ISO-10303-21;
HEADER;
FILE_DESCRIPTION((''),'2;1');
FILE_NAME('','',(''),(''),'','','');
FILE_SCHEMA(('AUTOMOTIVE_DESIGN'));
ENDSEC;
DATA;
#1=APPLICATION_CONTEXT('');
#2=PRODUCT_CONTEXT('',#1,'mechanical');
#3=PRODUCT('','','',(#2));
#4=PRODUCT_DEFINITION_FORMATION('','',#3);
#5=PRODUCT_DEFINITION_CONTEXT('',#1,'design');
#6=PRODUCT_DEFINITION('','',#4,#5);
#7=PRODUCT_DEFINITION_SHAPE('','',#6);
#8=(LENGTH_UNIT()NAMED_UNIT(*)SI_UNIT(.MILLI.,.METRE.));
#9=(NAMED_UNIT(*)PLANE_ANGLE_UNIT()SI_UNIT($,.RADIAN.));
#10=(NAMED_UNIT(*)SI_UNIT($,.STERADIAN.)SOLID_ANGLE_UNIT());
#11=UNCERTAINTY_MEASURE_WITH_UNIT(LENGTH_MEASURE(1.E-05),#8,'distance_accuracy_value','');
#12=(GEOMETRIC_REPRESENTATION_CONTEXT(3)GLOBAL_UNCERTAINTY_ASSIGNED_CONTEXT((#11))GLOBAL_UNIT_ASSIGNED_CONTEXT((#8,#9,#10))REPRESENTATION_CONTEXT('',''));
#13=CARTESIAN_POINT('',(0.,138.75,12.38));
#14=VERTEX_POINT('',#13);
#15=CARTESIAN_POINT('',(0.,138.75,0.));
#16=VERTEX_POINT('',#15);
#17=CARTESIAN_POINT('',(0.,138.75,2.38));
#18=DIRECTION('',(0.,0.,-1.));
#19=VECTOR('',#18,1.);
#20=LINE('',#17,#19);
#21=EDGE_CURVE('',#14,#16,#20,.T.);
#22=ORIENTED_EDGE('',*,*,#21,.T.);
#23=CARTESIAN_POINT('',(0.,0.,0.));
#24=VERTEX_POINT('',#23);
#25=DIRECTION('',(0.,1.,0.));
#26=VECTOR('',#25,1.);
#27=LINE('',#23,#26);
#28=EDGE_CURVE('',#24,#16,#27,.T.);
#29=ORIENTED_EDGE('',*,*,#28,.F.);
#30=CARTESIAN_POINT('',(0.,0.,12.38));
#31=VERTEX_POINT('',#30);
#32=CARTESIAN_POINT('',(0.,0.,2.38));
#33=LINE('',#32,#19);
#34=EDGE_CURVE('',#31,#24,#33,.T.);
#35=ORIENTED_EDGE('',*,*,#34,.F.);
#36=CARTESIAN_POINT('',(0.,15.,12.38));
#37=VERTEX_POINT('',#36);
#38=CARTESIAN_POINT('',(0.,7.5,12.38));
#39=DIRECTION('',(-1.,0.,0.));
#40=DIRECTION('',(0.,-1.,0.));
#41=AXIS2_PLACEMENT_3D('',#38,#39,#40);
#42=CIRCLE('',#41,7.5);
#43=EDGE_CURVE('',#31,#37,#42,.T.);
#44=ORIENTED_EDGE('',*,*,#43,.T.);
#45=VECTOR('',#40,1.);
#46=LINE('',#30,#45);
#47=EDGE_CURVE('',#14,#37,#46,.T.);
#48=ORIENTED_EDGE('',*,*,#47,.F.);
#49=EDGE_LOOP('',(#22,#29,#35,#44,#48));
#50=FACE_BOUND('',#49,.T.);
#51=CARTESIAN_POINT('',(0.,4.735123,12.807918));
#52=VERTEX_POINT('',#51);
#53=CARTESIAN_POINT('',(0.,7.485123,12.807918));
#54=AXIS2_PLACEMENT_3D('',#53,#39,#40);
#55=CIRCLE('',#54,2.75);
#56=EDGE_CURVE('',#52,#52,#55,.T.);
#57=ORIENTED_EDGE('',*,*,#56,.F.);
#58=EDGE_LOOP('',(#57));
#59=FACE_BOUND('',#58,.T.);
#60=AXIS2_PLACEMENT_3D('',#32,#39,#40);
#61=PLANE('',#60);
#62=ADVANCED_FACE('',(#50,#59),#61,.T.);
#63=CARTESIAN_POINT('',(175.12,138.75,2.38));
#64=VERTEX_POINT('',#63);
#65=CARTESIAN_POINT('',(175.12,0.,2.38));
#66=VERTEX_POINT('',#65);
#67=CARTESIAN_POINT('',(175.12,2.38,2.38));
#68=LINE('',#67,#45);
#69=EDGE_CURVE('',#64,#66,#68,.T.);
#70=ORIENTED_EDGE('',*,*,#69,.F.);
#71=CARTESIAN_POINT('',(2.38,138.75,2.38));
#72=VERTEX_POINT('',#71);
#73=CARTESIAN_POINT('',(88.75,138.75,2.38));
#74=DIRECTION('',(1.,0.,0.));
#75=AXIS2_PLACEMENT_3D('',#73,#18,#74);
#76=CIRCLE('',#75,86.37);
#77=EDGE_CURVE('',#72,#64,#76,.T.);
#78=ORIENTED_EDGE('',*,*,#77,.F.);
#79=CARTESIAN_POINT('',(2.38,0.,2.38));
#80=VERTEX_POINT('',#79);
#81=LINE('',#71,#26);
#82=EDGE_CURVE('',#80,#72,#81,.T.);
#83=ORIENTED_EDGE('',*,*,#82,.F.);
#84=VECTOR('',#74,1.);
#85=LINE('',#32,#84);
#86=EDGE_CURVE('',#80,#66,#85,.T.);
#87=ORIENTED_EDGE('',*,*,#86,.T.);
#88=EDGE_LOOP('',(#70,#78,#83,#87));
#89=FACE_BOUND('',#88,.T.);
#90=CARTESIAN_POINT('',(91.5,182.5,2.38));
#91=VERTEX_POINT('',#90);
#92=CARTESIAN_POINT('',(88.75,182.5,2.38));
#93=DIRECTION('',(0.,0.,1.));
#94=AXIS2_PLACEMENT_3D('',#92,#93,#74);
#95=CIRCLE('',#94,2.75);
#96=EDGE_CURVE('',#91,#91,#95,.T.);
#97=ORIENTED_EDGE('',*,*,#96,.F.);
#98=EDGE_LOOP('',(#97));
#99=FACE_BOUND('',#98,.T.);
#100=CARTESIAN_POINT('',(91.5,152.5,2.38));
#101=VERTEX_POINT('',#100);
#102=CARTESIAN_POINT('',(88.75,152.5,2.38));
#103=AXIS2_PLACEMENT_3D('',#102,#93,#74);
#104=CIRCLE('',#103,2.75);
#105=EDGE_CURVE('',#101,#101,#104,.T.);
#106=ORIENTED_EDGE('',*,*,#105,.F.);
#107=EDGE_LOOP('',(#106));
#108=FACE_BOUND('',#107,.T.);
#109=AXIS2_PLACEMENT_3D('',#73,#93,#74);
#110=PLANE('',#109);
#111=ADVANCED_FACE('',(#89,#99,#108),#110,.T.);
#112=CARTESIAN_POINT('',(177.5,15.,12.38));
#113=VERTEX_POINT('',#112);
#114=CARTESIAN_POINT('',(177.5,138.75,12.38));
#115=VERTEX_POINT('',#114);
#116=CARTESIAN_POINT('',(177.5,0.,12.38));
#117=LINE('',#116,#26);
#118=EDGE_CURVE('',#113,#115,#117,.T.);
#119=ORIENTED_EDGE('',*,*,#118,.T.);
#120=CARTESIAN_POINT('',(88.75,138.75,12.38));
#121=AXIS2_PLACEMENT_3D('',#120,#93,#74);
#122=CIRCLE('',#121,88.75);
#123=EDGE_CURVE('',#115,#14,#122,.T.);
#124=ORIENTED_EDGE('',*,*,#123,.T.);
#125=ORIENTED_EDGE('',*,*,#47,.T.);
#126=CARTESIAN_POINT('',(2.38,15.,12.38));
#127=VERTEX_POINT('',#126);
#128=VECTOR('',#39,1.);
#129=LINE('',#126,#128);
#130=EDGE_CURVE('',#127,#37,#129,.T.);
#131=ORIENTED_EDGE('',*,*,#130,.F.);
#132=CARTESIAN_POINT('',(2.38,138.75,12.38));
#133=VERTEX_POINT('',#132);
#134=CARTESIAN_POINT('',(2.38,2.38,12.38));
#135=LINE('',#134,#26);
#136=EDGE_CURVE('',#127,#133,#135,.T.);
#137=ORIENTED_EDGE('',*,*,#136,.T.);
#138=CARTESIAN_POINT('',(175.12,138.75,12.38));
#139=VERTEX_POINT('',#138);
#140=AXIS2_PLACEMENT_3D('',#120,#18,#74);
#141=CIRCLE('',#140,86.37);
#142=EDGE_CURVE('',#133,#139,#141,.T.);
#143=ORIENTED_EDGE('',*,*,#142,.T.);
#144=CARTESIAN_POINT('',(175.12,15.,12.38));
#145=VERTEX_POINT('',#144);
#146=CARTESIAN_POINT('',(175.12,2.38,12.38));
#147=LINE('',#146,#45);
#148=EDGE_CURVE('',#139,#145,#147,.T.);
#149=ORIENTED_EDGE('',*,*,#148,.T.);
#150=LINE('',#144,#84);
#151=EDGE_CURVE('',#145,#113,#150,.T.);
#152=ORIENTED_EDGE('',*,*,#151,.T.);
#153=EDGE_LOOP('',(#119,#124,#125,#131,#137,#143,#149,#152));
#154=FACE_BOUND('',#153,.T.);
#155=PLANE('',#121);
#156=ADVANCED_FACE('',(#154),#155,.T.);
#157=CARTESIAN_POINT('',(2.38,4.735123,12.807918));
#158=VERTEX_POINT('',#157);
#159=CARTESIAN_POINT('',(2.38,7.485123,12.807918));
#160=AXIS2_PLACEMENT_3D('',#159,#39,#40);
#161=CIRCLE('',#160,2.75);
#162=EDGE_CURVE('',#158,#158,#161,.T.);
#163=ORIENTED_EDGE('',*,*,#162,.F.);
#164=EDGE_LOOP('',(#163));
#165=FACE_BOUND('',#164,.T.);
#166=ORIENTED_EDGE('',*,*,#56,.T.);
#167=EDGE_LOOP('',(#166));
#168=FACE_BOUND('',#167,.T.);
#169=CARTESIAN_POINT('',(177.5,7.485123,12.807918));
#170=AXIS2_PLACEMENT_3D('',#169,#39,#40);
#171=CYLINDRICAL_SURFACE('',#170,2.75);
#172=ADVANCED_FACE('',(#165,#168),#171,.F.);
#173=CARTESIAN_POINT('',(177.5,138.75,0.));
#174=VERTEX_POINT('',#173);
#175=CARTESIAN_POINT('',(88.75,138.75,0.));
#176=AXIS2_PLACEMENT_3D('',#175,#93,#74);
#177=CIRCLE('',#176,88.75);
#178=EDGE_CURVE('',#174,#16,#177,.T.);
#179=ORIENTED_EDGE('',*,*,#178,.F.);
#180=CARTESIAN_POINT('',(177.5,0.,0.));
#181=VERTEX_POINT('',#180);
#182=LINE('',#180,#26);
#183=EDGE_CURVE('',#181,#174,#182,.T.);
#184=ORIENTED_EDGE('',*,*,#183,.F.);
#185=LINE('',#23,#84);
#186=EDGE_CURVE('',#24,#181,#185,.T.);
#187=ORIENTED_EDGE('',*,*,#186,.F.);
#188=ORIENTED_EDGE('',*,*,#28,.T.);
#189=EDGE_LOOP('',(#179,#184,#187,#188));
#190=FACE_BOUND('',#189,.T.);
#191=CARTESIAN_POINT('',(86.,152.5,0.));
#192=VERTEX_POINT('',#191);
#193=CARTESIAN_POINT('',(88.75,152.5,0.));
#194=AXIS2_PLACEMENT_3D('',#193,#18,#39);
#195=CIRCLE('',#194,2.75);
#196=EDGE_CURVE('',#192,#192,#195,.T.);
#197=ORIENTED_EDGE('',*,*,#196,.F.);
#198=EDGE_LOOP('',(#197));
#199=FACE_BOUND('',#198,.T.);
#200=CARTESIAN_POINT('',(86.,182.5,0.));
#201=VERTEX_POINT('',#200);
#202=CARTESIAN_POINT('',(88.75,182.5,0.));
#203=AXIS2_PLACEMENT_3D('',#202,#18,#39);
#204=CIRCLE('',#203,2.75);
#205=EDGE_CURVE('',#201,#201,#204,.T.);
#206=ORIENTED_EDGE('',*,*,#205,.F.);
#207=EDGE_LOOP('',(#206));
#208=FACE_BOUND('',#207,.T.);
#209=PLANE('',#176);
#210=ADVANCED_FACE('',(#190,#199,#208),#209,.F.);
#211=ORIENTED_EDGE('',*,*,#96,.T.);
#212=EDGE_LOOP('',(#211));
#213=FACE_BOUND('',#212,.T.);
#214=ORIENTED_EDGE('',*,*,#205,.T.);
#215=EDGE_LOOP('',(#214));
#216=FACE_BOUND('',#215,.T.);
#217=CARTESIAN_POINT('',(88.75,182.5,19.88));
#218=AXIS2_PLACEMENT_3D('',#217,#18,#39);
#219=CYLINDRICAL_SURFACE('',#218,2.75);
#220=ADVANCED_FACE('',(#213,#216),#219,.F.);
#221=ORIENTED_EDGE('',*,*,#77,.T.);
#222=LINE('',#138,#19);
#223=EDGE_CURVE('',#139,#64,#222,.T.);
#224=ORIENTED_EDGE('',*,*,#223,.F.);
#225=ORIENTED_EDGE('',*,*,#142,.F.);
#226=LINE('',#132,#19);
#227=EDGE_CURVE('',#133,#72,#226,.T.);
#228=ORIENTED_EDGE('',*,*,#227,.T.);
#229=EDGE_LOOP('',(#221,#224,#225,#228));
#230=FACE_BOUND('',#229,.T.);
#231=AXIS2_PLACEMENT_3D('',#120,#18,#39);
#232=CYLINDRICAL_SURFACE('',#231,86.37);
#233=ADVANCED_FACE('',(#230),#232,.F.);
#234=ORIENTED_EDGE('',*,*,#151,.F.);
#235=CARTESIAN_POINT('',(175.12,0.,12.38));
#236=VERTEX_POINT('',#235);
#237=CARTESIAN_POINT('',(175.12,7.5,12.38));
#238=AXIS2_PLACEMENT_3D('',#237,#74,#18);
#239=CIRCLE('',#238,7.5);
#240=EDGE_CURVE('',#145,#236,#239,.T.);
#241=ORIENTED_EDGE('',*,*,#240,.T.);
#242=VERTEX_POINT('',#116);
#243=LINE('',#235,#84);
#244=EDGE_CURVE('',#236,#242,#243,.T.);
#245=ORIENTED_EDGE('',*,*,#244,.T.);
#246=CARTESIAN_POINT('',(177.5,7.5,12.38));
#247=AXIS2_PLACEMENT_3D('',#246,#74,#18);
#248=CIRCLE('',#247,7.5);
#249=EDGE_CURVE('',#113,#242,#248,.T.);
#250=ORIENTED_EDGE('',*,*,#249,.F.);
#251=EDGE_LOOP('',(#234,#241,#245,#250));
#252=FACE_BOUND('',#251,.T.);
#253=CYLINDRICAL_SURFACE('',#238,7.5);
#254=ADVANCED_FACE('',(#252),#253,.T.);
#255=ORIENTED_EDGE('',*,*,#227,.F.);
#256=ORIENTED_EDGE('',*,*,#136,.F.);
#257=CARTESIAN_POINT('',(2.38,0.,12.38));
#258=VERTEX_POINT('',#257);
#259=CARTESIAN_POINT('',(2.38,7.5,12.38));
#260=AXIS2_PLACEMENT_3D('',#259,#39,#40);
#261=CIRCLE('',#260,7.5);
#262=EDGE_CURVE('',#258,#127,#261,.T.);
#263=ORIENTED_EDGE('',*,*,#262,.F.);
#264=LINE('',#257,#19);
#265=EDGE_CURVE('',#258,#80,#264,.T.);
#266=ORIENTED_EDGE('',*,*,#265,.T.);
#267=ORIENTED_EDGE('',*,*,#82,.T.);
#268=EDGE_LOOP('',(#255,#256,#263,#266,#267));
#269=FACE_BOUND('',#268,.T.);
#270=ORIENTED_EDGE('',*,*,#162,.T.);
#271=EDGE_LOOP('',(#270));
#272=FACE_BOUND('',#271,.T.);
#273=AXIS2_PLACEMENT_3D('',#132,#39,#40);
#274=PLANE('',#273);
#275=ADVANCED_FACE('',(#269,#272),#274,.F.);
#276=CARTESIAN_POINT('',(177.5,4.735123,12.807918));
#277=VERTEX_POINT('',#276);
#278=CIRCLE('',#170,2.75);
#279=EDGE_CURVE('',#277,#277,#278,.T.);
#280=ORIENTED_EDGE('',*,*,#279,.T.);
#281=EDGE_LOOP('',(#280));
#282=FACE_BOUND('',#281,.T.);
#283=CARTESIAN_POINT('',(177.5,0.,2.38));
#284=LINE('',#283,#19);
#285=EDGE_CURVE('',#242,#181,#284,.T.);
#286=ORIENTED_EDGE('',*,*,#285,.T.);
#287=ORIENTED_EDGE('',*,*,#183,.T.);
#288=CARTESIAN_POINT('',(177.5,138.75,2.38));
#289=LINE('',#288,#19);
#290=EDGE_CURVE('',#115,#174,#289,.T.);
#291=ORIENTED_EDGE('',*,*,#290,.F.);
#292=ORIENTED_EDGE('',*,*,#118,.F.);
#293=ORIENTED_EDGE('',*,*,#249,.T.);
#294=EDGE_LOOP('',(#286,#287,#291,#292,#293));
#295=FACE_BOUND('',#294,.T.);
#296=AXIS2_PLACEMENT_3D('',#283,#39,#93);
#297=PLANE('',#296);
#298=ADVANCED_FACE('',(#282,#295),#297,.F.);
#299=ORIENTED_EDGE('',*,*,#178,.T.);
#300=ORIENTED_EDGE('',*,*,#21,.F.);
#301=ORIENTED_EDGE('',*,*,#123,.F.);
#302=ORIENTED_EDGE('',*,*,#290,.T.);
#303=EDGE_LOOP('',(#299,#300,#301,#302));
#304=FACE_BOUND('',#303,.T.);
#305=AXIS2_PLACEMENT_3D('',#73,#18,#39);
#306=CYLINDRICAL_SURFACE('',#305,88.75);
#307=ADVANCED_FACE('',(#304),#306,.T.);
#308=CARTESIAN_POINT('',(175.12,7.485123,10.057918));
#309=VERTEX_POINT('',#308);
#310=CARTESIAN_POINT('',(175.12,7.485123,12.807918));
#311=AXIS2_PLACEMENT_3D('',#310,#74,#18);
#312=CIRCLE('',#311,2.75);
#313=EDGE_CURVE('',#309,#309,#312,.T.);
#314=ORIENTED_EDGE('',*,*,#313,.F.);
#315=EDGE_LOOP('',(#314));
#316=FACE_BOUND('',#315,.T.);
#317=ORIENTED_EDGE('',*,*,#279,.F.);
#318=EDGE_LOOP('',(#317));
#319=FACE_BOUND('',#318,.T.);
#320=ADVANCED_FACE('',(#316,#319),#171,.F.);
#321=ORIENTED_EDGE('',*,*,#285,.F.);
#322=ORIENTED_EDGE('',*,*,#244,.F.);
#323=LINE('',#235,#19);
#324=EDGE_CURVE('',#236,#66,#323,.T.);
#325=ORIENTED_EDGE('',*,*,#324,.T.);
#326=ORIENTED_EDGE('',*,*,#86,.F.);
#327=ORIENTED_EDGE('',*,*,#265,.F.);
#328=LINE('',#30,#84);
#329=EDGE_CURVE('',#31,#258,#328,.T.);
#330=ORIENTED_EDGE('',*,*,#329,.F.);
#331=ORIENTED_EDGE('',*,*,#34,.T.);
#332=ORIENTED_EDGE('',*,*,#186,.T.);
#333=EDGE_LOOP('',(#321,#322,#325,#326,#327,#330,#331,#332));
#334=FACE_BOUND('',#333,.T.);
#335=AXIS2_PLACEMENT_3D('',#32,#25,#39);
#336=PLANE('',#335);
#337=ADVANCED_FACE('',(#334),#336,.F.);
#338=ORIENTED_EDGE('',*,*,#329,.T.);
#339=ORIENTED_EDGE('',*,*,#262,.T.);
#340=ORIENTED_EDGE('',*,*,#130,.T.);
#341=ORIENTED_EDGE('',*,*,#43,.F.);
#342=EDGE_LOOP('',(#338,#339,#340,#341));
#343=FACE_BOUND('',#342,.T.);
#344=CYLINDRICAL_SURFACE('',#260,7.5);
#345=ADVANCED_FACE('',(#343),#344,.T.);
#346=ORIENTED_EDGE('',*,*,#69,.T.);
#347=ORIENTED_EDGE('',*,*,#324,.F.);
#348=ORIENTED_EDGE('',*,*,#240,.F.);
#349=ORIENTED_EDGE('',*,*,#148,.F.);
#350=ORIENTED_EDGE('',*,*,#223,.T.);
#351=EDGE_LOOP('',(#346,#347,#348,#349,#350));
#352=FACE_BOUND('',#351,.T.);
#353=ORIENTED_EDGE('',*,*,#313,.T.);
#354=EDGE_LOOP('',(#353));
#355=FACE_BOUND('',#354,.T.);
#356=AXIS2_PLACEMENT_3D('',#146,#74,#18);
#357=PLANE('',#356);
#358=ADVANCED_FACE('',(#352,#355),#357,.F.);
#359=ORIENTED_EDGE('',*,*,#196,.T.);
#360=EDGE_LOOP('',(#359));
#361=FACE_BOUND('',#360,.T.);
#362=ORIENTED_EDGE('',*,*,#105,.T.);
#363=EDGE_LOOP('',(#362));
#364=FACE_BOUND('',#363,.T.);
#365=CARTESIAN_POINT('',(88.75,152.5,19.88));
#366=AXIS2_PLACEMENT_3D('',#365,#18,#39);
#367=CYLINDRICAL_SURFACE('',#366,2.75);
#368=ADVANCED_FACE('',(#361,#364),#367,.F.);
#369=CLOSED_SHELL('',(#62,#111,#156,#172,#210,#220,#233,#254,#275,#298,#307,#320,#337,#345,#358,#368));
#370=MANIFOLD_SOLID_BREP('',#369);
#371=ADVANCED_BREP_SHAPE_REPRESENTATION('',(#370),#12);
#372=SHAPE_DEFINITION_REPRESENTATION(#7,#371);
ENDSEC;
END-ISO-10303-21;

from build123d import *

# Parameters (mm, degrees)
BOSS_EXTRUDE1_DEPTH = 2.38
BOSS_EXTRUDE2_DEPTH = 10
BOSS_EXTRUDE3_DEPTH = 2.38
BOSS_EXTRUDE4_DEPTH = 2.38
SKETCH5_R           = 2.75
CUT_EXTRUDE1_DEPTH  = 178.5
SKETCH6_R           = 2.75
CUT_EXTRUDE2_DEPTH  = 20.88


with BuildPart() as part:
    # Sketch1 → Boss-Extrude1 (new body)
    with BuildSketch(Plane.XY):
        with BuildLine():
            Line((0, 0), (177.5, 0))
            Line((177.5, 0), (177.5, 138.75))
            ThreePointArc((177.5, 138.75), (88.75, 227.5), (0, 138.75))
            Line((0, 138.75), (0, 0))
        make_face()
    extrude(amount=BOSS_EXTRUDE1_DEPTH)

    # Sketch2 → Boss-Extrude2 (add)
    with BuildSketch(Plane.XY.offset(2.38)):
        with BuildLine():
            Line((175.12, 2.38), (175.12, 138.75))
            ThreePointArc((175.12, 138.75), (88.75, 225.12), (2.38, 138.75))
            Line((2.38, 138.75), (2.38, 2.38))
            Line((2.38, 2.38), (2.38, 0))
            Line((2.38, 0), (0, 0))
            Line((0, 0), (0, 138.75))
            ThreePointArc((0, 138.75), (88.75, 227.5), (177.5, 138.75))
            Line((177.5, 138.75), (177.5, 0))
            Line((177.5, 0), (175.12, 0))
            Line((175.12, 0), (175.12, 2.38))
        make_face()
    extrude(amount=BOSS_EXTRUDE2_DEPTH)

    # Sketch3 → Boss-Extrude3 (add)
    with BuildSketch(Plane(origin=(177.5, 0, 0), x_dir=(0, 0, -1), z_dir=(1, 0, 0))):
        with BuildLine():
            Line((-12.38, 15), (-12.38, 0))
            ThreePointArc((-12.38, 0), (-19.88, 7.5), (-12.38, 15))
        make_face()
    extrude(amount=-BOSS_EXTRUDE3_DEPTH)

    # Sketch4 → Boss-Extrude4 (add)
    with BuildSketch(Plane.ZY):
        with BuildLine():
            Line((12.38, 15), (12.38, 0))
            ThreePointArc((12.38, 0), (19.88, 7.5), (12.38, 15))
        make_face()
    extrude(amount=-BOSS_EXTRUDE4_DEPTH)

    # Sketch5 → Cut-Extrude1 (cut, through all)
    with BuildSketch(Plane.ZY):
        with Locations((12.807918023, 7.485123177)):
            Circle(SKETCH5_R)
    extrude(amount=-CUT_EXTRUDE1_DEPTH, mode=Mode.SUBTRACT)

    # Sketch6 → Cut-Extrude2 (cut, through all)
    with BuildSketch(Plane(origin=(0, 0, 0), x_dir=(-1, 0, 0), z_dir=(0, 0, -1))):
        with Locations((-88.75, 182.5)):
            Circle(SKETCH6_R)
        with Locations((-88.75, 152.5)):
            Circle(SKETCH6_R)
    extrude(amount=-CUT_EXTRUDE2_DEPTH, mode=Mode.SUBTRACT)


solid = part.part
